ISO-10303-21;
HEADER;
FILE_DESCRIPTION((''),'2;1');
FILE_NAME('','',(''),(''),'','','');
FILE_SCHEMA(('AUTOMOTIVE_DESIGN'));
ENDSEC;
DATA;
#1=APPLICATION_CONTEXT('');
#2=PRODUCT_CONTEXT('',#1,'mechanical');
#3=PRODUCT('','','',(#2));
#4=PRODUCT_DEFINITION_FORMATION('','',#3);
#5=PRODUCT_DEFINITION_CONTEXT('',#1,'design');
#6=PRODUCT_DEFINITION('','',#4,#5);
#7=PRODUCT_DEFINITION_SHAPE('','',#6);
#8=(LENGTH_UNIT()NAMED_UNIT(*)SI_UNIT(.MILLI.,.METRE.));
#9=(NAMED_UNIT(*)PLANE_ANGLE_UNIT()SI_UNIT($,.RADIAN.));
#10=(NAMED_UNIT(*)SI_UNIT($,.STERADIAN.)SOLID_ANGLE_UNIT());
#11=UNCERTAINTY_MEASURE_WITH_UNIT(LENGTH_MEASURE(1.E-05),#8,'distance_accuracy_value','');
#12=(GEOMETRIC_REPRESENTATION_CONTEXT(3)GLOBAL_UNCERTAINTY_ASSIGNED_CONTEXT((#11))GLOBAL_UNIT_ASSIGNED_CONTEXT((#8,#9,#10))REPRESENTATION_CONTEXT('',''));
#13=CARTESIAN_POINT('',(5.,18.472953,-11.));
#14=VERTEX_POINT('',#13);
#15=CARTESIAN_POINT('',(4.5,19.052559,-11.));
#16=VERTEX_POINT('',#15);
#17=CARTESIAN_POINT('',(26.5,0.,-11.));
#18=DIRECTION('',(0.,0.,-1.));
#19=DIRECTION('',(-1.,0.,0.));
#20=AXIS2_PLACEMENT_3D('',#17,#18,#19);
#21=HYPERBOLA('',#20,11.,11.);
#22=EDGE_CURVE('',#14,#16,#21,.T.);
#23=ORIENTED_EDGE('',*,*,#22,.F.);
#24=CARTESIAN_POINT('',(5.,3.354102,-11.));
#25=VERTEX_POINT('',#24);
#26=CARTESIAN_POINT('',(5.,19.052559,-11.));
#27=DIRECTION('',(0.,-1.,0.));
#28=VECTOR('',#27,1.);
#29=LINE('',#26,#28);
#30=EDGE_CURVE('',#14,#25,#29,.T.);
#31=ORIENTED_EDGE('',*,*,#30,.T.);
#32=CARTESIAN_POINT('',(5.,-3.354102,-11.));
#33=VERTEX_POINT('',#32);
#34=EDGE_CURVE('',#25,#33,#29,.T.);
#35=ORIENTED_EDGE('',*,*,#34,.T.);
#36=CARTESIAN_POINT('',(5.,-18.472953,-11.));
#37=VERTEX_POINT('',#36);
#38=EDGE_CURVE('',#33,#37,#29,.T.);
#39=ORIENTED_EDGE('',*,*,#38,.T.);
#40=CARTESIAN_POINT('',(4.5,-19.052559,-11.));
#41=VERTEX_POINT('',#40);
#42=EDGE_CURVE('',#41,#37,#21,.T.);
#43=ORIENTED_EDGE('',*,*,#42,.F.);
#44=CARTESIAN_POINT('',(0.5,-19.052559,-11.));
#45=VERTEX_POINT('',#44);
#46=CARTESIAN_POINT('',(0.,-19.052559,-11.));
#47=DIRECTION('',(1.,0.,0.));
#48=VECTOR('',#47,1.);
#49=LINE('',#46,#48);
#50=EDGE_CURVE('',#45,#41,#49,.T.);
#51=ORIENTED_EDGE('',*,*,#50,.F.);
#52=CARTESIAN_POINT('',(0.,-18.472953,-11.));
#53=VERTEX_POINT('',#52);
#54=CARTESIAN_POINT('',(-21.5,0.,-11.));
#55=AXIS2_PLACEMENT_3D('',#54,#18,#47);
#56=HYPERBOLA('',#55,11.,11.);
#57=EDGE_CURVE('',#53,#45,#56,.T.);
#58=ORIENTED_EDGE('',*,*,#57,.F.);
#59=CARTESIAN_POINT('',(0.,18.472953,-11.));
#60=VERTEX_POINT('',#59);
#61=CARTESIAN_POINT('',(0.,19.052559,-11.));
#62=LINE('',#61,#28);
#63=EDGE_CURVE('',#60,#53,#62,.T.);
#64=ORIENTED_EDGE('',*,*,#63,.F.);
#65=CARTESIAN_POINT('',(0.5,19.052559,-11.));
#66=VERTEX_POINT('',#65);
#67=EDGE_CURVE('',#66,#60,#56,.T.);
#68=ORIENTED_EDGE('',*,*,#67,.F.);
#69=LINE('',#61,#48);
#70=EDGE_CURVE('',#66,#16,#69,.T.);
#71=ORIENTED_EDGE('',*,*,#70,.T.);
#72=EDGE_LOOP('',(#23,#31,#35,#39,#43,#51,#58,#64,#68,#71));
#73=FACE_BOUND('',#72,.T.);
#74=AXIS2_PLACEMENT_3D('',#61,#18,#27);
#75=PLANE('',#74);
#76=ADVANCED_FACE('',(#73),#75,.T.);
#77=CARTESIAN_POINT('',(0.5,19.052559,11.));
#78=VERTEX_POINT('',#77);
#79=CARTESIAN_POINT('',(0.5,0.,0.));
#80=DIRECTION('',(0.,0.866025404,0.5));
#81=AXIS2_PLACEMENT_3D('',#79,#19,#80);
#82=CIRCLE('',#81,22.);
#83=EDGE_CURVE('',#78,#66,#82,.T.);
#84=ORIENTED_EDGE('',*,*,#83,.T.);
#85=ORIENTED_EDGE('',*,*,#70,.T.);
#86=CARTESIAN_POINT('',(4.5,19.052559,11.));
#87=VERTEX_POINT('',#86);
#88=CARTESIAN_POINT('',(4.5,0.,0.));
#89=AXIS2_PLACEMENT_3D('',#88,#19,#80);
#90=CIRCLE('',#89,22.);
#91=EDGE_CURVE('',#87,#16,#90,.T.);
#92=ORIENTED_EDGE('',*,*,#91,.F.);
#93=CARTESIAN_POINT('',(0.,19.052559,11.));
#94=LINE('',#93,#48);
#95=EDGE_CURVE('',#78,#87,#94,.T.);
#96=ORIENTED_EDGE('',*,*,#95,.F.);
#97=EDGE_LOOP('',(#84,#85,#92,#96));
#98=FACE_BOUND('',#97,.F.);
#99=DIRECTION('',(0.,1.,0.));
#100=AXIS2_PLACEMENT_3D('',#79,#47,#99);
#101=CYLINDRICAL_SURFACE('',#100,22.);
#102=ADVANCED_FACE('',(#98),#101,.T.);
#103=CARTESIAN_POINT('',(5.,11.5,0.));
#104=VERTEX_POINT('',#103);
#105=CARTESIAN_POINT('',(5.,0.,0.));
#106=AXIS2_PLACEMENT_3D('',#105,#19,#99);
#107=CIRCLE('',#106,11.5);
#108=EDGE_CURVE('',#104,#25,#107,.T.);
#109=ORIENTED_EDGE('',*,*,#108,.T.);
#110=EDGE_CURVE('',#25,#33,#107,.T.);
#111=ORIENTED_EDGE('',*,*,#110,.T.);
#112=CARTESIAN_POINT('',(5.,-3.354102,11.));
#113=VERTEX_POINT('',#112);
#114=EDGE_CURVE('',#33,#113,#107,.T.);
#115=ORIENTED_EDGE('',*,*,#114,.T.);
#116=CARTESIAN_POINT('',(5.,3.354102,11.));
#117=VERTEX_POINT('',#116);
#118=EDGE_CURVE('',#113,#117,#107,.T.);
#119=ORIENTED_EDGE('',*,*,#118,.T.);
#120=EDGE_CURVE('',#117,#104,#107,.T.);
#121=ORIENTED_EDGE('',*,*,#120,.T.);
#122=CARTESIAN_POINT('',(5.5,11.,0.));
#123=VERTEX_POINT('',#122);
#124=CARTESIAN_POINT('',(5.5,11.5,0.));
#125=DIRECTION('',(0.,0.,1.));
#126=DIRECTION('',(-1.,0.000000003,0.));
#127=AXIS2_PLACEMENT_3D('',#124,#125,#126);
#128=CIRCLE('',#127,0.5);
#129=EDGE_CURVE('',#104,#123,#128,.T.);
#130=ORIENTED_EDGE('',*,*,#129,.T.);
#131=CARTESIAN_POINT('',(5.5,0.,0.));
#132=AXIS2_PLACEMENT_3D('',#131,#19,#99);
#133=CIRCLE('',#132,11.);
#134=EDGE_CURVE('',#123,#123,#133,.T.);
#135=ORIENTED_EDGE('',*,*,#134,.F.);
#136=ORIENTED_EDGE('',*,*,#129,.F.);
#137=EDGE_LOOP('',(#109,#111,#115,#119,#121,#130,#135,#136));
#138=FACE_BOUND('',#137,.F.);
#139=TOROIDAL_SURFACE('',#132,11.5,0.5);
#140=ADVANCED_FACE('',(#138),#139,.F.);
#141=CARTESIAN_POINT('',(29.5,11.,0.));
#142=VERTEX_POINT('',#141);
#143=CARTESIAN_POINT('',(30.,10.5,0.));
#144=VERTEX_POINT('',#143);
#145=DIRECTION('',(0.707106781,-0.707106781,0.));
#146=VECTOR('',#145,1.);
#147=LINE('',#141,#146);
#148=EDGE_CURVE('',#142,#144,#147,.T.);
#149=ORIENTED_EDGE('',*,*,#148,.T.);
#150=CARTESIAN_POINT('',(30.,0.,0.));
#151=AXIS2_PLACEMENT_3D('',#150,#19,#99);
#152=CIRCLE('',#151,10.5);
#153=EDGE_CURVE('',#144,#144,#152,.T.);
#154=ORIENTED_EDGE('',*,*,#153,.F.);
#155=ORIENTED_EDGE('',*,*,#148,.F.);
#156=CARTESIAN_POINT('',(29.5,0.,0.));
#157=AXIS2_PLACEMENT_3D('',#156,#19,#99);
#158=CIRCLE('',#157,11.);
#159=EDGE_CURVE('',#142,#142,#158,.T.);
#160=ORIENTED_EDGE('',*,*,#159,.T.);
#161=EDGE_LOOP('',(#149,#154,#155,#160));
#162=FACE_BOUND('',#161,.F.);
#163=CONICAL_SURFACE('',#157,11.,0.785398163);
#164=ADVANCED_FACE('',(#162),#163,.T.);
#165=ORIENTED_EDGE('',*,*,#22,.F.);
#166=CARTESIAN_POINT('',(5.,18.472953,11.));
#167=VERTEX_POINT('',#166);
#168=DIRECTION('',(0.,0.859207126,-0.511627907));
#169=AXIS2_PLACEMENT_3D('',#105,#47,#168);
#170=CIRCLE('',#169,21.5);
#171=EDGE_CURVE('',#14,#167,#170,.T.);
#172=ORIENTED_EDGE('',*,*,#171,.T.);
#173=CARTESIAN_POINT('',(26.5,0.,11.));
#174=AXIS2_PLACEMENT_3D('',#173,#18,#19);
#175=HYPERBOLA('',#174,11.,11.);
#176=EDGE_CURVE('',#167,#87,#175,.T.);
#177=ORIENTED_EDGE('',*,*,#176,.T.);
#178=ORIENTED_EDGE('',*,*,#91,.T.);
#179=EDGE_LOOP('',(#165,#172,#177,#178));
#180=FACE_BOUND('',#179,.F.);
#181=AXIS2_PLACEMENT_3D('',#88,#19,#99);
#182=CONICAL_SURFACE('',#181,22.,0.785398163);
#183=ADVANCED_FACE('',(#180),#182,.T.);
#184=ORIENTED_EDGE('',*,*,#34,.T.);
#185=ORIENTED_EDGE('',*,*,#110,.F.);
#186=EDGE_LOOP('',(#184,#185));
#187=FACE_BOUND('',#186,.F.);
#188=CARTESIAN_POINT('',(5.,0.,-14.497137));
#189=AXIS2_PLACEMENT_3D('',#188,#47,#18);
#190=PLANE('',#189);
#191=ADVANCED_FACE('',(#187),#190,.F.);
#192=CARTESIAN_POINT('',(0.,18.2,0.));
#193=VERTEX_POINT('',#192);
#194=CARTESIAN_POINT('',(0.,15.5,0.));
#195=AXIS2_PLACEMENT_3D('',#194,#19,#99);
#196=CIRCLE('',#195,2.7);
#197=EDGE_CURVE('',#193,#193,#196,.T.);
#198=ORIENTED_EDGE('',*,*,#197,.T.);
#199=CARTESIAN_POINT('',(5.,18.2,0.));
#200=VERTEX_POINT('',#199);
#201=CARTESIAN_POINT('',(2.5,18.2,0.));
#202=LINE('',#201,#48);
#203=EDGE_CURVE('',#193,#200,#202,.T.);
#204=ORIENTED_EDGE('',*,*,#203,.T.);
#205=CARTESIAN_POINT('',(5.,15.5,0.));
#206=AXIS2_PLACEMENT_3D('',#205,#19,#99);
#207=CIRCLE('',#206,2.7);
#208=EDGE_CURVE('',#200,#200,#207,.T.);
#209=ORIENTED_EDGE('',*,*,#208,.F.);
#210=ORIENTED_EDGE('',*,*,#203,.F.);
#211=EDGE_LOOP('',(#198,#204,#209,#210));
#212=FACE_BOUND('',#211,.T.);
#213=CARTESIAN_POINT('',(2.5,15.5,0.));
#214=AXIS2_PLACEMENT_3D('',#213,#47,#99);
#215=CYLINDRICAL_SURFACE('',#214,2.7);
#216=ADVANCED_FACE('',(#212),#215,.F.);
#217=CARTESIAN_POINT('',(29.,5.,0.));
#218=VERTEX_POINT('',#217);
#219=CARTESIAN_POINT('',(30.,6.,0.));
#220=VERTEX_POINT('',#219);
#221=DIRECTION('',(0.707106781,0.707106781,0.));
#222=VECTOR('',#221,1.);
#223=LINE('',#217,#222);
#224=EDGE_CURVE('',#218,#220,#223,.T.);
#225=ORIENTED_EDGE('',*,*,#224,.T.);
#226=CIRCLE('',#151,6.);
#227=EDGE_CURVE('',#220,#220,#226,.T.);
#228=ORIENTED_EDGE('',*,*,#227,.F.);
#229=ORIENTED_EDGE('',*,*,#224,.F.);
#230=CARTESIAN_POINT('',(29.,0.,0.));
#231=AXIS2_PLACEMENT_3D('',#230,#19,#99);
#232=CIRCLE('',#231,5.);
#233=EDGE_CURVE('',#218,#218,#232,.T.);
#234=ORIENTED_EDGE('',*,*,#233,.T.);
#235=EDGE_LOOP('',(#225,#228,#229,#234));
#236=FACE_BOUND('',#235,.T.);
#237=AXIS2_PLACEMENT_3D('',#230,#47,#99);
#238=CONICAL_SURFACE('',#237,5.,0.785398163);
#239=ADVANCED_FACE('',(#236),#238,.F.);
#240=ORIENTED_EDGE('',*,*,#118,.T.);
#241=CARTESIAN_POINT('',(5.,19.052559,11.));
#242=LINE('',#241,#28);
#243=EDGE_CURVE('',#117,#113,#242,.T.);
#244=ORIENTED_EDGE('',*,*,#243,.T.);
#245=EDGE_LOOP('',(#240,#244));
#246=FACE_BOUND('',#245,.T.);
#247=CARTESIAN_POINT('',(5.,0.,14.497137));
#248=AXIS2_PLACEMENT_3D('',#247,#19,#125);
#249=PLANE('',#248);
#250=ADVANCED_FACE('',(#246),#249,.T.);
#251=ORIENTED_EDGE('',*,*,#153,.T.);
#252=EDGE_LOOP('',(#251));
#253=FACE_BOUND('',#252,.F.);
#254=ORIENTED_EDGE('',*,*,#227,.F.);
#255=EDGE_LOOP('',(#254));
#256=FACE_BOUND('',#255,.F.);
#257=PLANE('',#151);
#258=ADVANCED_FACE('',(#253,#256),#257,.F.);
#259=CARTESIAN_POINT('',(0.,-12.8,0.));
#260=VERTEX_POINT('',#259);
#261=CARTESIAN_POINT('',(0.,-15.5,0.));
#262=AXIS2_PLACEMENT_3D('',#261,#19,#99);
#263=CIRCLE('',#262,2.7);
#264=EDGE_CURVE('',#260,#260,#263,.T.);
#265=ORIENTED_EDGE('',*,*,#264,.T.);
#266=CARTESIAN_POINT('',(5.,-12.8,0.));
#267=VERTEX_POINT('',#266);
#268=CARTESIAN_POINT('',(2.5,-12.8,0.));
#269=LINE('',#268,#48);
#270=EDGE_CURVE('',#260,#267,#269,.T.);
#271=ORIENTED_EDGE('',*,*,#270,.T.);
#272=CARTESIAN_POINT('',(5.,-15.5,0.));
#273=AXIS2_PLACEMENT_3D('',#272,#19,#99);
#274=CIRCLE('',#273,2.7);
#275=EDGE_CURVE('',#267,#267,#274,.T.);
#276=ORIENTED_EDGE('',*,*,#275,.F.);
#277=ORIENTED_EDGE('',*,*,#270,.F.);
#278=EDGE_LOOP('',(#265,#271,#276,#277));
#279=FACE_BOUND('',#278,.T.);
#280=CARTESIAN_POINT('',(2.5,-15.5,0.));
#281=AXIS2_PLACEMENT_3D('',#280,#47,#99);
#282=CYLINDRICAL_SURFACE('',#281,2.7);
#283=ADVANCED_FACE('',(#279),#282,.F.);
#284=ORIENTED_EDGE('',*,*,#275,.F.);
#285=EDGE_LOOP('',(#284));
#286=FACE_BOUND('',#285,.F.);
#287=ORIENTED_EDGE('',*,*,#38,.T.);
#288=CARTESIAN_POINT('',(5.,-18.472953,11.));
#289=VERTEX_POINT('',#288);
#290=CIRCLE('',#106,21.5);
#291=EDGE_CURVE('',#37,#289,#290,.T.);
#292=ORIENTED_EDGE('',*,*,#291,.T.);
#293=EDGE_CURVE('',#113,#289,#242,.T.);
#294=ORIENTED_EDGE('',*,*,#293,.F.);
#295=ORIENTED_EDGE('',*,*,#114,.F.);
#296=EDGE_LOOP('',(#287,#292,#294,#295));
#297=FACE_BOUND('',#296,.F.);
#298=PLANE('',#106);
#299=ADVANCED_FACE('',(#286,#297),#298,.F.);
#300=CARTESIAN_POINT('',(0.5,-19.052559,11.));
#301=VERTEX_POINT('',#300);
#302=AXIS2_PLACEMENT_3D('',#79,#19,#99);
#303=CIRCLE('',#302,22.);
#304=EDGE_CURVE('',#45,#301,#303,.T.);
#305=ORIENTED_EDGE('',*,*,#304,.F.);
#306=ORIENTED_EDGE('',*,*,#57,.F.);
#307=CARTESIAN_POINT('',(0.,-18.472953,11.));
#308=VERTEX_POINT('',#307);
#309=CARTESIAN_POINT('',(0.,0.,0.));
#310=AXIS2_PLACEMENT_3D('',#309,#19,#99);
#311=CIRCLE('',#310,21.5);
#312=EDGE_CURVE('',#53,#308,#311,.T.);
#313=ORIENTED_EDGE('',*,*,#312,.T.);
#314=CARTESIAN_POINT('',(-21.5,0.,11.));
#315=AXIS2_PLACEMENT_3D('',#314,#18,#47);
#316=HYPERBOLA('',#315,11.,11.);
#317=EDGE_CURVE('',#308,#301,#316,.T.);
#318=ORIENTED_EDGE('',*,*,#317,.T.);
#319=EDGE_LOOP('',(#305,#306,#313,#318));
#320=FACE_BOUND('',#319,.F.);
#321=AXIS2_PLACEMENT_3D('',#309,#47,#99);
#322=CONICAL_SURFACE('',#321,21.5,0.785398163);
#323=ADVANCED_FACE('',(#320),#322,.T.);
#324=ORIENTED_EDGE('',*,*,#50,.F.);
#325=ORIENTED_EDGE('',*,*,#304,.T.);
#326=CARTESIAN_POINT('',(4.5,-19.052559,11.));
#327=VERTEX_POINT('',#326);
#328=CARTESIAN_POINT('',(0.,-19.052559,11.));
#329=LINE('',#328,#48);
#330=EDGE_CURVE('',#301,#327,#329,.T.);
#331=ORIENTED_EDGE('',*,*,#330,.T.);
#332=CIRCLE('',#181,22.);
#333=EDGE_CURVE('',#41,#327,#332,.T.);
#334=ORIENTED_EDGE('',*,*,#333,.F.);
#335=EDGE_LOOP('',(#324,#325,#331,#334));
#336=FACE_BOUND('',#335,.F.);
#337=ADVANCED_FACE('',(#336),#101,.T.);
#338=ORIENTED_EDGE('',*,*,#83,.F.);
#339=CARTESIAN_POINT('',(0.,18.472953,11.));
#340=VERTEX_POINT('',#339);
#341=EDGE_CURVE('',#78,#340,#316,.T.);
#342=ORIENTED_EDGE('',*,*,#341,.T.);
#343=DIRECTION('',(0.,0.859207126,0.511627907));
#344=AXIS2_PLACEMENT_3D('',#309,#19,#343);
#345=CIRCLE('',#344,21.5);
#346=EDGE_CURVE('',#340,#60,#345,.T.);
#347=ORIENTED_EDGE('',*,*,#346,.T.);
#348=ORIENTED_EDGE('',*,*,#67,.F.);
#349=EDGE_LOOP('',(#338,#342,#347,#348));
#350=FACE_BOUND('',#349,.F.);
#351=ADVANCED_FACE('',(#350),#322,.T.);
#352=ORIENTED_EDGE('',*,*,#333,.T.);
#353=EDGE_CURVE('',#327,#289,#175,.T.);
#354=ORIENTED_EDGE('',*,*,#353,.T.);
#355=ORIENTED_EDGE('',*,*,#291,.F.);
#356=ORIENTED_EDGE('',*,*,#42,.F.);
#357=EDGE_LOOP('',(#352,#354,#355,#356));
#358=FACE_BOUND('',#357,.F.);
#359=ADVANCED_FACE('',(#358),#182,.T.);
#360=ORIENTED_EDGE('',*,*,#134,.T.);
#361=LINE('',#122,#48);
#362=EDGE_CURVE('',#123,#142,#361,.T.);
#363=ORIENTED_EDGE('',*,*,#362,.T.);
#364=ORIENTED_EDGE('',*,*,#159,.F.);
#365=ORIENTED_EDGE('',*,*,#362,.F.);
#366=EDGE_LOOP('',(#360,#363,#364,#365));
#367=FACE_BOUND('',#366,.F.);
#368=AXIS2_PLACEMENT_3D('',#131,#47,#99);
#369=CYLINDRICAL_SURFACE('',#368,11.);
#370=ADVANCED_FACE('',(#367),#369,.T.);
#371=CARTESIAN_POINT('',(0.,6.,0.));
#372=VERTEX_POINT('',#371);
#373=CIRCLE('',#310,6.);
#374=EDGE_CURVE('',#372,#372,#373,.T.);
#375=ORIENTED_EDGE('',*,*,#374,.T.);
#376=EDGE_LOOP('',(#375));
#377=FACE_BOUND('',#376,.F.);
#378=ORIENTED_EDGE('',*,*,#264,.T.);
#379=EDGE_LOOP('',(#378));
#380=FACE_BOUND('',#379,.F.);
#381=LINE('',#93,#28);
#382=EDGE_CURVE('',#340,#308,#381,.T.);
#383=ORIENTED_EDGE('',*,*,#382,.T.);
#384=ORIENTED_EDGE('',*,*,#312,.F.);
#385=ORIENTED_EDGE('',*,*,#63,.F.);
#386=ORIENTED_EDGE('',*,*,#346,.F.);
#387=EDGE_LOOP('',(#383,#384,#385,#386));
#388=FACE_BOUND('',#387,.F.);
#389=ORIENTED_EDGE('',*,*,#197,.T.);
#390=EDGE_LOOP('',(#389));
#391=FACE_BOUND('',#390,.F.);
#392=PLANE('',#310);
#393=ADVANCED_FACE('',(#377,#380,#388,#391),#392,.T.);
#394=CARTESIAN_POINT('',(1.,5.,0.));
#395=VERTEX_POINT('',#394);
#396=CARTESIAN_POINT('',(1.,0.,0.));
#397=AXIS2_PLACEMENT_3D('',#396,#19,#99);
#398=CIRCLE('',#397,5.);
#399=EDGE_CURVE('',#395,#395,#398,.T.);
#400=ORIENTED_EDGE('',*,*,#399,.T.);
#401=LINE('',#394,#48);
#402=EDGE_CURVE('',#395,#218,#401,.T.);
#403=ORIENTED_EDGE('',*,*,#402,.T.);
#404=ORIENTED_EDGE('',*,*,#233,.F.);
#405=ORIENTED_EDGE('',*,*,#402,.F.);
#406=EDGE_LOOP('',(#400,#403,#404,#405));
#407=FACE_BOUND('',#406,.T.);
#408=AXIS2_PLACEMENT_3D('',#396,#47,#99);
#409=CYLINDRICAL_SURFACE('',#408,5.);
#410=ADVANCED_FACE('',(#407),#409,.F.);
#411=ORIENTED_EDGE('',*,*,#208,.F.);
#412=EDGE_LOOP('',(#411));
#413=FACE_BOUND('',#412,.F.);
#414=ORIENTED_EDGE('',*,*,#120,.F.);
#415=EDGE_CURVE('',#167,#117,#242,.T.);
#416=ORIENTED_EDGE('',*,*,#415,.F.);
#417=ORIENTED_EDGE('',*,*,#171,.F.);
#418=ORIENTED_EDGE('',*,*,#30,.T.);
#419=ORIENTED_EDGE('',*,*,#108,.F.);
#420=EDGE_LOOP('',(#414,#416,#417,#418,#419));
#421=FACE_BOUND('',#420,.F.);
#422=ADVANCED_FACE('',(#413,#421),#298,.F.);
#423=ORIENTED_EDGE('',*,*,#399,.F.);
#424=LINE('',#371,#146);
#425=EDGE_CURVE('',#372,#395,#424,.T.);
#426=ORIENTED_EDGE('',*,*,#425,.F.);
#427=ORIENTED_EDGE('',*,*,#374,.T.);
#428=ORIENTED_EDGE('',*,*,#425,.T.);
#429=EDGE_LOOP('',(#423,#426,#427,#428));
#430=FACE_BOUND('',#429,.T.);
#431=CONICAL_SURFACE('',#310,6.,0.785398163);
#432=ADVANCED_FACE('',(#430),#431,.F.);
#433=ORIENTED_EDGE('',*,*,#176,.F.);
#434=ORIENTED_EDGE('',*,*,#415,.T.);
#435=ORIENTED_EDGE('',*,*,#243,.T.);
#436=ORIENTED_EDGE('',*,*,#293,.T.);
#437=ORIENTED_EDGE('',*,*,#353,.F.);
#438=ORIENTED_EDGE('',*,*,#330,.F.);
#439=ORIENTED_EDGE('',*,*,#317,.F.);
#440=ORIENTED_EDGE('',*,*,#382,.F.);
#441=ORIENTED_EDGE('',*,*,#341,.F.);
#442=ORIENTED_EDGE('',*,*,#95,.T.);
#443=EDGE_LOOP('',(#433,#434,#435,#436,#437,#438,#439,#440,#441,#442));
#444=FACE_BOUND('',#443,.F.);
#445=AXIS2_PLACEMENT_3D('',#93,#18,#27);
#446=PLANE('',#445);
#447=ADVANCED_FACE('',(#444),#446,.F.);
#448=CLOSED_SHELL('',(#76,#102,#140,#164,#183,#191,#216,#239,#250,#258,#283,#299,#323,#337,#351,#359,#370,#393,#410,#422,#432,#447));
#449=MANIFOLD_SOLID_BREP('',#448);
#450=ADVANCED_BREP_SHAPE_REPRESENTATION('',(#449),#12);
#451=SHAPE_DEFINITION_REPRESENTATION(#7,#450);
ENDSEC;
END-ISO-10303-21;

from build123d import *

# Parameters (mm, degrees)
SKETCH3_W          = 5
SKETCH3_H          = 2.7
SKETCH4_W          = 5
SKETCH4_H          = 2.7
SKETCH5_W          = 5
SKETCH5_H          = 2.7
SKETCH6_W          = 5
SKETCH6_H          = 2.7
CUT_EXTRUDE1_DEPTH = 5


with BuildPart() as part:
    # Sketch1 → Revolve1 (revolve)
    with BuildSketch(Plane.XY):
        with BuildLine():
            Line((0, 0), (0, 21.5))
            Line((0, 21.5), (0.5, 22))
            Line((0.5, 22), (4.5, 22))
            Line((4.5, 22), (5, 21.5))
            Line((5, 21.5), (5, 11.5))
            ThreePointArc((5, 11.5), (5.146446609, 11.146446609), (5.5, 11))
            Line((5.5, 11), (29.5, 11))
            Line((29.5, 11), (30, 10.5))
            Line((30, 10.5), (30, 0))
            Line((30, 0), (0, 0))
        make_face()
    revolve(axis=Axis((30, 0, 0), (-1, 0, 0)))

    # Sketch2 → Cut-Revolve1 (revolve, cut)
    with BuildSketch(Plane.XY):
        Polygon((0, 0), (0, 6), (1, 5), (29, 5), (30, 6), (30, 0), align=None)
    revolve(axis=Axis((30, 0, 0), (-1, 0, 0)), mode=Mode.SUBTRACT)

    # Sketch3 → Cut-Revolve2 (revolve, cut)
    with BuildSketch(Plane.XY):
        with Locations((2.5, 16.85)):
            Rectangle(SKETCH3_W, SKETCH3_H)
    revolve(axis=Axis((5, 15.5, 0), (-1, 0, 0)), mode=Mode.SUBTRACT)

    # Sketch4 → Cut-Revolve3 (revolve, cut)
    with BuildSketch(Plane.XY.offset(15.5)):
        with Locations((2.5, 1.35)):
            Rectangle(SKETCH4_W, SKETCH4_H)
    revolve(axis=Axis((5, 0, 15.5), (-1, 0, 0)), mode=Mode.SUBTRACT)

    # Sketch5 → Cut-Revolve4 (revolve, cut)
    with BuildSketch(Plane.XY):
        with Locations((2.5, -14.15)):
            Rectangle(SKETCH5_W, SKETCH5_H)
    revolve(axis=Axis((5, -15.5, 0), (-1, 0, 0)), mode=Mode.SUBTRACT)

    # Sketch6 → Cut-Revolve5 (revolve, cut)
    with BuildSketch(Plane.XY.offset(-15.5)):
        with Locations((2.5, 1.35)):
            Rectangle(SKETCH6_W, SKETCH6_H)
    revolve(axis=Axis((5, 0, -15.5), (-1, 0, 0)), mode=Mode.SUBTRACT)

    # Sketch7 → Cut-Extrude1 (cut)
    with BuildSketch(Plane.ZY):
        with BuildLine():
            Line((11, 19.052558883), (11, -19.052558883))
            ThreePointArc((11, -19.052558883), (22, 0), (11, 19.052558883))
        make_face()
        with BuildLine():
            Line((-11, 19.052558883), (-11, -19.052558883))
            ThreePointArc((-11, -19.052558883), (-22, 0), (-11, 19.052558883))
        make_face()
    extrude(amount=-CUT_EXTRUDE1_DEPTH, mode=Mode.SUBTRACT)


solid = part.part
